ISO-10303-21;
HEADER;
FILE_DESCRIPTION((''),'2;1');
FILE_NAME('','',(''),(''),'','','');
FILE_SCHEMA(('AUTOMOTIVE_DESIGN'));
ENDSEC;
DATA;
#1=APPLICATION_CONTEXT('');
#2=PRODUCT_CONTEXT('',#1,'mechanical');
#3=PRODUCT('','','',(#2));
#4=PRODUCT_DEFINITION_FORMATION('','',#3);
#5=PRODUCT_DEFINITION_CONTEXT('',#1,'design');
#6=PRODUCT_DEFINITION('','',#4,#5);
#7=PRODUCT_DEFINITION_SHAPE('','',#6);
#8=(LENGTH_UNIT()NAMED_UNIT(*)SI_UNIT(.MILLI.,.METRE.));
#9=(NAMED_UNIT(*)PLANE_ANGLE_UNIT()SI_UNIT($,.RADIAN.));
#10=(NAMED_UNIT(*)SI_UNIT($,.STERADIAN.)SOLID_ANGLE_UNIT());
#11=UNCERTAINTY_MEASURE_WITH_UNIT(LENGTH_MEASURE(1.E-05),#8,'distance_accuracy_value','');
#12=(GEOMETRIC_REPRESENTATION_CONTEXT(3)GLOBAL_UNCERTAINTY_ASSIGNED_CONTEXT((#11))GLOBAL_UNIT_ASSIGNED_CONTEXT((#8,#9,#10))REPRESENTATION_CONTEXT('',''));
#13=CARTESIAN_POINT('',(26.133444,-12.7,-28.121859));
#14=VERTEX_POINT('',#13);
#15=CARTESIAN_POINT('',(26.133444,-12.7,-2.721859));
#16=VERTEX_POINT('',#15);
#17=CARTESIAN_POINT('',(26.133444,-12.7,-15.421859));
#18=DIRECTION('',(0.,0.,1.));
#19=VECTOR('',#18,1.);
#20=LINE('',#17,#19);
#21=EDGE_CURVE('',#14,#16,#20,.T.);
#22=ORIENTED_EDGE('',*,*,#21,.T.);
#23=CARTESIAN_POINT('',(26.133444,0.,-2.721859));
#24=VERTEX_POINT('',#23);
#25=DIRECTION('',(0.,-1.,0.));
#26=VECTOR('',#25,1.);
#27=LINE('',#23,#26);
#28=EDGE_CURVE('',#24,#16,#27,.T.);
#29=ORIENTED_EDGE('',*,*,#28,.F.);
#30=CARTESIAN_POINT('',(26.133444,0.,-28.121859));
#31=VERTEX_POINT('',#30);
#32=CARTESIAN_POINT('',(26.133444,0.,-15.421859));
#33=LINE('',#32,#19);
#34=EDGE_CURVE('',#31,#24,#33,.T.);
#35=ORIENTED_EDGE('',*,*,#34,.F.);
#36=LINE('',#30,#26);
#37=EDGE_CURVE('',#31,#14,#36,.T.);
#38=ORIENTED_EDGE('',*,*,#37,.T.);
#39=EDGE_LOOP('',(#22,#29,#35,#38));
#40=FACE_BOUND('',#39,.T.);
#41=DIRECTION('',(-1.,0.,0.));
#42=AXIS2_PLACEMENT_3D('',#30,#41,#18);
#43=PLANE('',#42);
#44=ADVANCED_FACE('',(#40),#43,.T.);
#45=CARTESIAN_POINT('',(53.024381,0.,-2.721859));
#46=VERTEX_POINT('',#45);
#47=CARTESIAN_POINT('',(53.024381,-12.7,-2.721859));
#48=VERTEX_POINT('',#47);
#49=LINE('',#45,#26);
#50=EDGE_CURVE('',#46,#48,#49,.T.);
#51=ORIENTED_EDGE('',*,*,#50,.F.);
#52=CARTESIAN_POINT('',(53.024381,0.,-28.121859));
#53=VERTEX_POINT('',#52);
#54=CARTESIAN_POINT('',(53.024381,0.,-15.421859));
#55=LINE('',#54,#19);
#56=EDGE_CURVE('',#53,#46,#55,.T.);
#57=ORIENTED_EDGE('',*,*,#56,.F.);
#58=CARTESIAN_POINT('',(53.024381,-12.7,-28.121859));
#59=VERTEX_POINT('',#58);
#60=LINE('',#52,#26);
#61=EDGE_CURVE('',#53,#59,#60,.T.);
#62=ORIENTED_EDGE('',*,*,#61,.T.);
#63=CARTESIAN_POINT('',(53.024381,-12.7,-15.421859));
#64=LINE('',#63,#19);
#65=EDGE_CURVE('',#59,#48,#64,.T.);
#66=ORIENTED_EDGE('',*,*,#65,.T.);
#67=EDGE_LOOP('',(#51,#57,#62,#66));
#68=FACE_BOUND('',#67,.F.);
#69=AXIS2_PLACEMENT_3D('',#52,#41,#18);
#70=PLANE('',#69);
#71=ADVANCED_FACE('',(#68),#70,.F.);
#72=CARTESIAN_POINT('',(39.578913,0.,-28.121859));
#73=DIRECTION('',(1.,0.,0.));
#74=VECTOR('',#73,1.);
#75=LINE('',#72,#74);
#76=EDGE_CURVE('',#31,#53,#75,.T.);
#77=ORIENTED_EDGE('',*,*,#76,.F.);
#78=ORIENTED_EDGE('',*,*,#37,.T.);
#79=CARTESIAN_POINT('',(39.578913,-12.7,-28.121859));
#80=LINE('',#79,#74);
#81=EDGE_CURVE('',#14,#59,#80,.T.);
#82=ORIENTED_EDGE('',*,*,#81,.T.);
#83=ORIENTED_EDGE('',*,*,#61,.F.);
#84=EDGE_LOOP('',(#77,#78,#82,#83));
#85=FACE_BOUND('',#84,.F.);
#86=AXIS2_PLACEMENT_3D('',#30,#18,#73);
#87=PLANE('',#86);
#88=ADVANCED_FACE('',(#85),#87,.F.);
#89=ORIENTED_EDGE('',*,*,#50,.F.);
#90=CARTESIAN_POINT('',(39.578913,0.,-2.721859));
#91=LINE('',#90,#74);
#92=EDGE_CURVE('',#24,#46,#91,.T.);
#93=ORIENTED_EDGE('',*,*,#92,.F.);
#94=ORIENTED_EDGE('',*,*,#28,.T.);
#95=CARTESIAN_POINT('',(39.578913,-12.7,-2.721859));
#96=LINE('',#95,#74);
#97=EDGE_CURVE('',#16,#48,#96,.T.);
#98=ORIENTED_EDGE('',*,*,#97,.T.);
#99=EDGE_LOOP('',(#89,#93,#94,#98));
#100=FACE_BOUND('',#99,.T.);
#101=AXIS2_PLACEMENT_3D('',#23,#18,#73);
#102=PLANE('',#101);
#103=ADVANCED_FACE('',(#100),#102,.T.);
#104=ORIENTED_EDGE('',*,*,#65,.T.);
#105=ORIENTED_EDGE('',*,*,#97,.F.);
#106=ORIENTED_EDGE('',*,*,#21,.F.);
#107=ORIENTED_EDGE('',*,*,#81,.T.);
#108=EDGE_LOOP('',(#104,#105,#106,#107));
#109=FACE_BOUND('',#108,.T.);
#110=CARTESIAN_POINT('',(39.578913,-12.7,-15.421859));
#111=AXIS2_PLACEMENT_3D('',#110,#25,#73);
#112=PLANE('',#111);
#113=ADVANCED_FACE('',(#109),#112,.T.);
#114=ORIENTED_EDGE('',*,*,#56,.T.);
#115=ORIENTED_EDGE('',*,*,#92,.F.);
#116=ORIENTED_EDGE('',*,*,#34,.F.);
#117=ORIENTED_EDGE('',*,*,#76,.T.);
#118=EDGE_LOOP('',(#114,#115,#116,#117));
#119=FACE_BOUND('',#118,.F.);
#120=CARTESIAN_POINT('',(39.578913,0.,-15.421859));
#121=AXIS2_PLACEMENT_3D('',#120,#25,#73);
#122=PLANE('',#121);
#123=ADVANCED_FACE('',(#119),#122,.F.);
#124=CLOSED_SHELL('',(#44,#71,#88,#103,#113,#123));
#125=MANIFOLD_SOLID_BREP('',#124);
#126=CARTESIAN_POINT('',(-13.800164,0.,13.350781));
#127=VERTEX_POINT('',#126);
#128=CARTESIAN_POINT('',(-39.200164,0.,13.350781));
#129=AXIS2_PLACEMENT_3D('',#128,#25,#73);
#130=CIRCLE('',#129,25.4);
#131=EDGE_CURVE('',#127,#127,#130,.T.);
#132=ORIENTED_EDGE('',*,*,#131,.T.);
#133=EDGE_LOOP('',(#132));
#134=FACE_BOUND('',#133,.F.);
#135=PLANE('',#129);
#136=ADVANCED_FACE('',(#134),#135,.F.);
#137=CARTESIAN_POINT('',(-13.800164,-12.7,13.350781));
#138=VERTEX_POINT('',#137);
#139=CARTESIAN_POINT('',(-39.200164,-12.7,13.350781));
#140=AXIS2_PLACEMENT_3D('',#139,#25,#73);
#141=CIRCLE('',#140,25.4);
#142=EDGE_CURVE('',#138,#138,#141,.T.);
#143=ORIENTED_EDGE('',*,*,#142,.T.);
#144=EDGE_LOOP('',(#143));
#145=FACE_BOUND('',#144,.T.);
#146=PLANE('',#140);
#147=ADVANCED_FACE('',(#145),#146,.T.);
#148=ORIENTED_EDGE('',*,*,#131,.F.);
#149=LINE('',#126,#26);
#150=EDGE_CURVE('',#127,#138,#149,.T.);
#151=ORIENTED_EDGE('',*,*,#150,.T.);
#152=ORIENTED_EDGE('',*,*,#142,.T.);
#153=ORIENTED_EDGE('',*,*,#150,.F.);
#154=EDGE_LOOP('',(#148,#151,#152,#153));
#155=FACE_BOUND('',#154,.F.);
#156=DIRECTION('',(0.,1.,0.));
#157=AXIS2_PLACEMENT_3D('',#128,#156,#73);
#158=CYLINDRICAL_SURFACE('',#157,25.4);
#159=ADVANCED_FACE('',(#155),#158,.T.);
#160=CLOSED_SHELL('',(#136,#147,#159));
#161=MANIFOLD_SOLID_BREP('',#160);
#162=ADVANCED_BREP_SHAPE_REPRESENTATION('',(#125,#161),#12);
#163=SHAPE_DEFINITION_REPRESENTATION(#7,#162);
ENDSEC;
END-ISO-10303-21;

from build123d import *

# Parameters (mm, degrees)
F0_R     = 25.4
F0_R_2   = 22.225
F0_R_3   = 1.5875
F0_R_4   = 6.35
F0_W     = 26.890937
F0_H     = 25.4
F1_DEPTH = 12.7


with BuildPart() as f1:
    # F0 (on Front) → F1 (new body)
    with BuildSketch(Plane.XZ):
        with Locations((-39.200164, 13.350781)):
            Circle(F0_R)
        with Locations((-39.200164, 13.350781)):
            Circle(F0_R_2, mode=Mode.SUBTRACT)
        with Locations((-39.200164, 13.350781)):
            Circle(F0_R_2)
        with Locations((-38.063928, -5.018379)):
            Circle(F0_R_3, mode=Mode.SUBTRACT)
        with Locations((-58.705565, 13.161409)):
            Circle(F0_R_3, mode=Mode.SUBTRACT)
        with Locations((-39.200164, 13.350781)):
            Circle(F0_R_4, mode=Mode.SUBTRACT)
        with Locations((-21.209752, 14.297646)):
            Circle(F0_R_3, mode=Mode.SUBTRACT)
        with Locations((-39.578911, 31.719942)):
            Circle(F0_R_3, mode=Mode.SUBTRACT)
        with Locations((-58.705565, 13.161409)):
            Circle(F0_R_3)
        with Locations((-38.063928, -5.018379)):
            Circle(F0_R_3)
        with Locations((-21.209752, 14.297646)):
            Circle(F0_R_3)
        with Locations((-39.578911, 31.719942)):
            Circle(F0_R_3)
        with Locations((-39.200164, 13.350781)):
            Circle(F0_R_4)
        with Locations((39.578913, -15.421859)):
            Rectangle(F0_W, F0_H)
    extrude(amount=F1_DEPTH)


solid = f1.part
